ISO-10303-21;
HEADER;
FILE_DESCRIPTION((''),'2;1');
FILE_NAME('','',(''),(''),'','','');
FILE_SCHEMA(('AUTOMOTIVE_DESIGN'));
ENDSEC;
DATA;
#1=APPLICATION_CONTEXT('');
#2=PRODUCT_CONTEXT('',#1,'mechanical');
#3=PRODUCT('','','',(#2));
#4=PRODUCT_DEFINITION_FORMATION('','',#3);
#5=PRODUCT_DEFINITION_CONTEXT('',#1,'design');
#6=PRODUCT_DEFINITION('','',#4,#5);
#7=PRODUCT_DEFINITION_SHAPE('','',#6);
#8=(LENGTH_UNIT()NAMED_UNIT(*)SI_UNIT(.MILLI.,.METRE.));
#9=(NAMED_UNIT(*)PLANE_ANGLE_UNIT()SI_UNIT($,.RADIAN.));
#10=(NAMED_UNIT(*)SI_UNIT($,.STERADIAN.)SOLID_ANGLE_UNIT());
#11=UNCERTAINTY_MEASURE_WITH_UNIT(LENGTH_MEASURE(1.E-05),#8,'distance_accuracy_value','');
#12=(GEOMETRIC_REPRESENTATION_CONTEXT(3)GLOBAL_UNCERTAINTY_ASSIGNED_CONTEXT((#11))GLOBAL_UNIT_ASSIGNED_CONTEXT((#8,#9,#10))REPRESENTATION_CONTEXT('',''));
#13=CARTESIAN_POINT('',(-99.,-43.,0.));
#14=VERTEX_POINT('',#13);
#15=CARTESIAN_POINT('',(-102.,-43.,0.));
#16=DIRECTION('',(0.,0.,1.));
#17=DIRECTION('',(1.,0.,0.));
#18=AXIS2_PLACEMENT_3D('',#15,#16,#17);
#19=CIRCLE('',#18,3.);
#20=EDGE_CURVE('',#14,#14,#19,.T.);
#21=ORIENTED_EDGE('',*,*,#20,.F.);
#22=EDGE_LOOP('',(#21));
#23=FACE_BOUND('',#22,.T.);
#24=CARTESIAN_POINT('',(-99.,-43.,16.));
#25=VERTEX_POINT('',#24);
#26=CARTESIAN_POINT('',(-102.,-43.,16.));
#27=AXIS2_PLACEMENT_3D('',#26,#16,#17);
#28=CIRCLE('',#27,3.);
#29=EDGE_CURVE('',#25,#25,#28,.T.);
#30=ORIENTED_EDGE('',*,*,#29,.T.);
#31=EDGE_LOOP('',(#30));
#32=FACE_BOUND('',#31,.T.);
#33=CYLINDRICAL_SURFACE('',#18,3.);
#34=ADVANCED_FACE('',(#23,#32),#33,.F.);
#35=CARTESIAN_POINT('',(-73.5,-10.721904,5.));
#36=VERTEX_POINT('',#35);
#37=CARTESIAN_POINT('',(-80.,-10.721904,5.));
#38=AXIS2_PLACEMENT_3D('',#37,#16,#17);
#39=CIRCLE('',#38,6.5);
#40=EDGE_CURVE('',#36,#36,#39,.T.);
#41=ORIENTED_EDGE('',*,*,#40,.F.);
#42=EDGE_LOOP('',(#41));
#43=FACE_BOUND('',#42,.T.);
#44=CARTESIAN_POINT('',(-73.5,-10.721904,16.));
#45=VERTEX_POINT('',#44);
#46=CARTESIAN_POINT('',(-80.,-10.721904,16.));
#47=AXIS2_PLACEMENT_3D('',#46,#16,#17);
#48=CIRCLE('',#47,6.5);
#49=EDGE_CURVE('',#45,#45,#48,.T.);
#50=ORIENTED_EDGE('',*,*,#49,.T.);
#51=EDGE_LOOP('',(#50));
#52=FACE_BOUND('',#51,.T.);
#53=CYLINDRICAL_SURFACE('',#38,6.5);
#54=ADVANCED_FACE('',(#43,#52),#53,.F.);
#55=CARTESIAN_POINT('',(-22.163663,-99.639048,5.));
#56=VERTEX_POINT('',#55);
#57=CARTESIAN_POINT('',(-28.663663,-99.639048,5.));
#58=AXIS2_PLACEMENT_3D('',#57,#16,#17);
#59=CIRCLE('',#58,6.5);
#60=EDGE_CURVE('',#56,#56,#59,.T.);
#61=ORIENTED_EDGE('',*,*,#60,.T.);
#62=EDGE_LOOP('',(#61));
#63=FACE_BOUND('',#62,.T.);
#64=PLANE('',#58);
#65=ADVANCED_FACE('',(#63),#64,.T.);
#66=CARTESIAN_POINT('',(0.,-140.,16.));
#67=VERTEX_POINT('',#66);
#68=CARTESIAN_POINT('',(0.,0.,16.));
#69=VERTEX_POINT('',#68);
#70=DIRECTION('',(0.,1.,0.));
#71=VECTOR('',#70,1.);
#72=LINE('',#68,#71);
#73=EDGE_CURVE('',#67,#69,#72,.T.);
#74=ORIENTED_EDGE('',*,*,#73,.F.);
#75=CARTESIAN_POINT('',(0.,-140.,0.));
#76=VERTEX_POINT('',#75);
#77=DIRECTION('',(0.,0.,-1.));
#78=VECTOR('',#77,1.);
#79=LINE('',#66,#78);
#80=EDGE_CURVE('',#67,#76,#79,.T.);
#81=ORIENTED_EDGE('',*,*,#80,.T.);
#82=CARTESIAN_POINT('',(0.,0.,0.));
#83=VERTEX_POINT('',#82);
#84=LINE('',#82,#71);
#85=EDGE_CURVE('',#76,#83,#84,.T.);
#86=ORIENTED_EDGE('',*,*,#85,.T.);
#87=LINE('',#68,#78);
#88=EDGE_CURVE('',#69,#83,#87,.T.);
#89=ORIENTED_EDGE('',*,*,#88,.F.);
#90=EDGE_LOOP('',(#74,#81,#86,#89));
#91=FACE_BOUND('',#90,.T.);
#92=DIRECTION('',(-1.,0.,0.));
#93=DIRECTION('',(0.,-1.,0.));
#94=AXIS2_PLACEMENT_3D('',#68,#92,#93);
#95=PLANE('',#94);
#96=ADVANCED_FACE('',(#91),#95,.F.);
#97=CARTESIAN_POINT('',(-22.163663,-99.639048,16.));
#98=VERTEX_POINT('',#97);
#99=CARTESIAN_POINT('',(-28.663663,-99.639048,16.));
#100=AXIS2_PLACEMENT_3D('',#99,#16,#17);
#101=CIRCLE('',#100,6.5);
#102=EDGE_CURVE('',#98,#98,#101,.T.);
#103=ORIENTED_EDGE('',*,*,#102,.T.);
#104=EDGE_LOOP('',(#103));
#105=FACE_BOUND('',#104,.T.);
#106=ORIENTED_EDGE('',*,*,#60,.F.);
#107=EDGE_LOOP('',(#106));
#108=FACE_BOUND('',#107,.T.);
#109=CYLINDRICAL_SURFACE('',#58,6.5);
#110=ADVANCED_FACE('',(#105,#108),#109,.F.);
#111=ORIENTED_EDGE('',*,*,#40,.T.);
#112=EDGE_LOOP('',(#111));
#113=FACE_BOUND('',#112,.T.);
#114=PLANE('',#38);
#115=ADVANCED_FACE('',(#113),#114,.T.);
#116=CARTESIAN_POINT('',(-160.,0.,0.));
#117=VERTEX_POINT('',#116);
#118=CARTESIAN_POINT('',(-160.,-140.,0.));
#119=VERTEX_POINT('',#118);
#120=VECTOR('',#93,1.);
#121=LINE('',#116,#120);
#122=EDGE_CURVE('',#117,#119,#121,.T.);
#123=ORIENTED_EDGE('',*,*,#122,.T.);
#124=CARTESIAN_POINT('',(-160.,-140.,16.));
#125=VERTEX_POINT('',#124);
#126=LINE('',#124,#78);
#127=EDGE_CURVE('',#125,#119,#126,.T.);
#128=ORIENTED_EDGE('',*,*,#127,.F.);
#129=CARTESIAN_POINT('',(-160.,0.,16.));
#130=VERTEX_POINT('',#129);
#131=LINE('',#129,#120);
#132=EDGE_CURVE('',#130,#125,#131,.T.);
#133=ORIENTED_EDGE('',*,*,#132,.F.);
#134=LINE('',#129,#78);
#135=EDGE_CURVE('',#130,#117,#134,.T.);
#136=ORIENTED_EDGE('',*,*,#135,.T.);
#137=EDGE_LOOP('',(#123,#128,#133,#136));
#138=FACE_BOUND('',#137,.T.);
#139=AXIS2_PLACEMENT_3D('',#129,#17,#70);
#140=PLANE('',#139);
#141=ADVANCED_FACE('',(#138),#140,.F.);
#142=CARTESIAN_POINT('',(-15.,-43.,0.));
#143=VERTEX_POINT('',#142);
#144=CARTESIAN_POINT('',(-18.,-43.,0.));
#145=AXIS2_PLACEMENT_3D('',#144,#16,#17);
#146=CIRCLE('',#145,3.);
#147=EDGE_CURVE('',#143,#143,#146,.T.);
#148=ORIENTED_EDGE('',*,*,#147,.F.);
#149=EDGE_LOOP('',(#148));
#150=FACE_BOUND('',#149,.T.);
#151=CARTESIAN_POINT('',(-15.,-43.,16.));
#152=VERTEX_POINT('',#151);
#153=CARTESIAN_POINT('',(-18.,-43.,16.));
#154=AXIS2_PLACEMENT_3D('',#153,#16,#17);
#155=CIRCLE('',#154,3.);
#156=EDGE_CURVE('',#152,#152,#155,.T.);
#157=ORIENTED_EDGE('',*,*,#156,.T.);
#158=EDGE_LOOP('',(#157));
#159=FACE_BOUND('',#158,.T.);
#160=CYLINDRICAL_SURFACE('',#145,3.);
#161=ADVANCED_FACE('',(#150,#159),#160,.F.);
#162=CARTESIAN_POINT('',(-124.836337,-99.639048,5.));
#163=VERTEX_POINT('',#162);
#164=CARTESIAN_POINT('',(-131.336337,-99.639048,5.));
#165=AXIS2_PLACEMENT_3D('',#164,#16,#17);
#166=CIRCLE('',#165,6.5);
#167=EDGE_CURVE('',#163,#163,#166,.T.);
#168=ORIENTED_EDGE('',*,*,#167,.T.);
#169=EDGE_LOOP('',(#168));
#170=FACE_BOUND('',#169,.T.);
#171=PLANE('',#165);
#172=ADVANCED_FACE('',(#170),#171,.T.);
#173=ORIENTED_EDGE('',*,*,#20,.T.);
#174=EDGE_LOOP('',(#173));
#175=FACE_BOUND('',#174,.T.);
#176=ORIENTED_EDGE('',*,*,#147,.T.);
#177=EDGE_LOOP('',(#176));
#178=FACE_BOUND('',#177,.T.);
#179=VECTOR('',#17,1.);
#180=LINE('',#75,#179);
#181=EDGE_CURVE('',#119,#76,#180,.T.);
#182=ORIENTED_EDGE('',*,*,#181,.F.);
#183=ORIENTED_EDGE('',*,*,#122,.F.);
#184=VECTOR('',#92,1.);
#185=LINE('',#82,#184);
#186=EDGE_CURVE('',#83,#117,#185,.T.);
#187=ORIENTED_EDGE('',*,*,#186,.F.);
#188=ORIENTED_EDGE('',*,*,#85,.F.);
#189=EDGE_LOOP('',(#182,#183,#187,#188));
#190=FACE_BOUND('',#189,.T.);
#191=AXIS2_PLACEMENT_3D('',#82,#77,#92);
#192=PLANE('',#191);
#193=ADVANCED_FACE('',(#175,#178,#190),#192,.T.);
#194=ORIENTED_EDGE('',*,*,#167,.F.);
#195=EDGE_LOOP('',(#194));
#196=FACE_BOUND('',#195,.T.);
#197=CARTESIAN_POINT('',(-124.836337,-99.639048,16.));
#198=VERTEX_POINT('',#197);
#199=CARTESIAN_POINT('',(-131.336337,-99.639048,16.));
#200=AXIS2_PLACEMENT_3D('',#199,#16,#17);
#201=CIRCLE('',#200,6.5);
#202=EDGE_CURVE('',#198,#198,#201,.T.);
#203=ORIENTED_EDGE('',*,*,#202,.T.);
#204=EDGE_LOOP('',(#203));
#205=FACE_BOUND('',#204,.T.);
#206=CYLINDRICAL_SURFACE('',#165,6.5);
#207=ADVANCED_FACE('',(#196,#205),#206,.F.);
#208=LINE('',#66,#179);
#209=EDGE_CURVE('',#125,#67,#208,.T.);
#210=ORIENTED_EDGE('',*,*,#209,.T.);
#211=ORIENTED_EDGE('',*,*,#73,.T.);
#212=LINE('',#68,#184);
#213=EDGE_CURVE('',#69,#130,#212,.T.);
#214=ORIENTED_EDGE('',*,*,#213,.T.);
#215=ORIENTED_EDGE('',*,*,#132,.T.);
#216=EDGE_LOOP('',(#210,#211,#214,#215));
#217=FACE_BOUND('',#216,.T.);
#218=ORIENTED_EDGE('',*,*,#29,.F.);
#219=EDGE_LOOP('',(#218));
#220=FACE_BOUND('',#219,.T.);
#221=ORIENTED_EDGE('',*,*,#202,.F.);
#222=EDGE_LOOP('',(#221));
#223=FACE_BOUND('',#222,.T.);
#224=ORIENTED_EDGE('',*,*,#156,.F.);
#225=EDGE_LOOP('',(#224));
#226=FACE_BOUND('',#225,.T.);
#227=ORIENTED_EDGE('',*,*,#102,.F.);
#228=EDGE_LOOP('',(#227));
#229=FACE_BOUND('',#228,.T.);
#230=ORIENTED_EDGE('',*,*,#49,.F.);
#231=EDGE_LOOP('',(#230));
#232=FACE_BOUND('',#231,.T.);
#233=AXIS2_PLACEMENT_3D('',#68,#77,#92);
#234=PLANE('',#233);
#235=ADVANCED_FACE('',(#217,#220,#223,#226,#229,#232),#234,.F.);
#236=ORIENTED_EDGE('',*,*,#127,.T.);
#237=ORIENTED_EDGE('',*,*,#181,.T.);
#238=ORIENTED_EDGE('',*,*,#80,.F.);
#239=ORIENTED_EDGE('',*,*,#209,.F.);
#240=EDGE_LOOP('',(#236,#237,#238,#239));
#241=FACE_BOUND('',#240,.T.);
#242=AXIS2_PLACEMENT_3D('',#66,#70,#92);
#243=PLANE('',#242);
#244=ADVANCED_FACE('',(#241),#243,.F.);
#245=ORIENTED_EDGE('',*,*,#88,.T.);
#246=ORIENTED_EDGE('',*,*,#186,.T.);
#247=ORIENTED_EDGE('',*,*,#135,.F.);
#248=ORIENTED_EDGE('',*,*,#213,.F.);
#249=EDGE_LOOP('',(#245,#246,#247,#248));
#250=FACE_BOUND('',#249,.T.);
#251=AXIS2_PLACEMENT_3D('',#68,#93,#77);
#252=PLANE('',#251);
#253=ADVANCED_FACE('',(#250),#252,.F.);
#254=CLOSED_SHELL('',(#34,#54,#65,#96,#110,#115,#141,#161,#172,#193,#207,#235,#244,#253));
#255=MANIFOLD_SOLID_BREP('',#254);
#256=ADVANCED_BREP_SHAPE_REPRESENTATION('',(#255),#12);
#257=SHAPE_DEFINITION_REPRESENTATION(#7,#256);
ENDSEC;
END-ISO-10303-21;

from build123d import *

# Parameters (mm, degrees)
SKETCH1_W           = 160
SKETCH1_H           = 140
BOSS_EXTRUDE1_DEPTH = 16
SKETCH2_R           = 6.5
CUT_EXTRUDE1_DEPTH  = 11
SKETCH3_R           = 3
CUT_EXTRUDE2_DEPTH  = 214.20412754


with BuildPart() as part:
    # Sketch1 → Boss-Extrude1 (new body)
    with BuildSketch(Plane.XY):
        with Locations((-80, -70)):
            Rectangle(SKETCH1_W, SKETCH1_H)
    extrude(amount=BOSS_EXTRUDE1_DEPTH)

    # Sketch2 → Cut-Extrude1 (cut)
    with BuildSketch(Plane.XY.offset(16)):
        with Locations((-131.336336798, -99.63904787)):
            Circle(SKETCH2_R)
        with Locations((-80, -10.721904261)):
            Circle(SKETCH2_R)
        with Locations((-28.663663202, -99.63904787)):
            Circle(SKETCH2_R)
    extrude(amount=-CUT_EXTRUDE1_DEPTH, mode=Mode.SUBTRACT)

    # Sketch3 → Cut-Extrude2 (cut, through all)
    with BuildSketch(Plane.XY.offset(16)):
        with Locations((-18, -43)):
            Circle(SKETCH3_R)
        with Locations((-102, -43)):
            Circle(SKETCH3_R)
    extrude(amount=-CUT_EXTRUDE2_DEPTH, mode=Mode.SUBTRACT)


solid = part.part
